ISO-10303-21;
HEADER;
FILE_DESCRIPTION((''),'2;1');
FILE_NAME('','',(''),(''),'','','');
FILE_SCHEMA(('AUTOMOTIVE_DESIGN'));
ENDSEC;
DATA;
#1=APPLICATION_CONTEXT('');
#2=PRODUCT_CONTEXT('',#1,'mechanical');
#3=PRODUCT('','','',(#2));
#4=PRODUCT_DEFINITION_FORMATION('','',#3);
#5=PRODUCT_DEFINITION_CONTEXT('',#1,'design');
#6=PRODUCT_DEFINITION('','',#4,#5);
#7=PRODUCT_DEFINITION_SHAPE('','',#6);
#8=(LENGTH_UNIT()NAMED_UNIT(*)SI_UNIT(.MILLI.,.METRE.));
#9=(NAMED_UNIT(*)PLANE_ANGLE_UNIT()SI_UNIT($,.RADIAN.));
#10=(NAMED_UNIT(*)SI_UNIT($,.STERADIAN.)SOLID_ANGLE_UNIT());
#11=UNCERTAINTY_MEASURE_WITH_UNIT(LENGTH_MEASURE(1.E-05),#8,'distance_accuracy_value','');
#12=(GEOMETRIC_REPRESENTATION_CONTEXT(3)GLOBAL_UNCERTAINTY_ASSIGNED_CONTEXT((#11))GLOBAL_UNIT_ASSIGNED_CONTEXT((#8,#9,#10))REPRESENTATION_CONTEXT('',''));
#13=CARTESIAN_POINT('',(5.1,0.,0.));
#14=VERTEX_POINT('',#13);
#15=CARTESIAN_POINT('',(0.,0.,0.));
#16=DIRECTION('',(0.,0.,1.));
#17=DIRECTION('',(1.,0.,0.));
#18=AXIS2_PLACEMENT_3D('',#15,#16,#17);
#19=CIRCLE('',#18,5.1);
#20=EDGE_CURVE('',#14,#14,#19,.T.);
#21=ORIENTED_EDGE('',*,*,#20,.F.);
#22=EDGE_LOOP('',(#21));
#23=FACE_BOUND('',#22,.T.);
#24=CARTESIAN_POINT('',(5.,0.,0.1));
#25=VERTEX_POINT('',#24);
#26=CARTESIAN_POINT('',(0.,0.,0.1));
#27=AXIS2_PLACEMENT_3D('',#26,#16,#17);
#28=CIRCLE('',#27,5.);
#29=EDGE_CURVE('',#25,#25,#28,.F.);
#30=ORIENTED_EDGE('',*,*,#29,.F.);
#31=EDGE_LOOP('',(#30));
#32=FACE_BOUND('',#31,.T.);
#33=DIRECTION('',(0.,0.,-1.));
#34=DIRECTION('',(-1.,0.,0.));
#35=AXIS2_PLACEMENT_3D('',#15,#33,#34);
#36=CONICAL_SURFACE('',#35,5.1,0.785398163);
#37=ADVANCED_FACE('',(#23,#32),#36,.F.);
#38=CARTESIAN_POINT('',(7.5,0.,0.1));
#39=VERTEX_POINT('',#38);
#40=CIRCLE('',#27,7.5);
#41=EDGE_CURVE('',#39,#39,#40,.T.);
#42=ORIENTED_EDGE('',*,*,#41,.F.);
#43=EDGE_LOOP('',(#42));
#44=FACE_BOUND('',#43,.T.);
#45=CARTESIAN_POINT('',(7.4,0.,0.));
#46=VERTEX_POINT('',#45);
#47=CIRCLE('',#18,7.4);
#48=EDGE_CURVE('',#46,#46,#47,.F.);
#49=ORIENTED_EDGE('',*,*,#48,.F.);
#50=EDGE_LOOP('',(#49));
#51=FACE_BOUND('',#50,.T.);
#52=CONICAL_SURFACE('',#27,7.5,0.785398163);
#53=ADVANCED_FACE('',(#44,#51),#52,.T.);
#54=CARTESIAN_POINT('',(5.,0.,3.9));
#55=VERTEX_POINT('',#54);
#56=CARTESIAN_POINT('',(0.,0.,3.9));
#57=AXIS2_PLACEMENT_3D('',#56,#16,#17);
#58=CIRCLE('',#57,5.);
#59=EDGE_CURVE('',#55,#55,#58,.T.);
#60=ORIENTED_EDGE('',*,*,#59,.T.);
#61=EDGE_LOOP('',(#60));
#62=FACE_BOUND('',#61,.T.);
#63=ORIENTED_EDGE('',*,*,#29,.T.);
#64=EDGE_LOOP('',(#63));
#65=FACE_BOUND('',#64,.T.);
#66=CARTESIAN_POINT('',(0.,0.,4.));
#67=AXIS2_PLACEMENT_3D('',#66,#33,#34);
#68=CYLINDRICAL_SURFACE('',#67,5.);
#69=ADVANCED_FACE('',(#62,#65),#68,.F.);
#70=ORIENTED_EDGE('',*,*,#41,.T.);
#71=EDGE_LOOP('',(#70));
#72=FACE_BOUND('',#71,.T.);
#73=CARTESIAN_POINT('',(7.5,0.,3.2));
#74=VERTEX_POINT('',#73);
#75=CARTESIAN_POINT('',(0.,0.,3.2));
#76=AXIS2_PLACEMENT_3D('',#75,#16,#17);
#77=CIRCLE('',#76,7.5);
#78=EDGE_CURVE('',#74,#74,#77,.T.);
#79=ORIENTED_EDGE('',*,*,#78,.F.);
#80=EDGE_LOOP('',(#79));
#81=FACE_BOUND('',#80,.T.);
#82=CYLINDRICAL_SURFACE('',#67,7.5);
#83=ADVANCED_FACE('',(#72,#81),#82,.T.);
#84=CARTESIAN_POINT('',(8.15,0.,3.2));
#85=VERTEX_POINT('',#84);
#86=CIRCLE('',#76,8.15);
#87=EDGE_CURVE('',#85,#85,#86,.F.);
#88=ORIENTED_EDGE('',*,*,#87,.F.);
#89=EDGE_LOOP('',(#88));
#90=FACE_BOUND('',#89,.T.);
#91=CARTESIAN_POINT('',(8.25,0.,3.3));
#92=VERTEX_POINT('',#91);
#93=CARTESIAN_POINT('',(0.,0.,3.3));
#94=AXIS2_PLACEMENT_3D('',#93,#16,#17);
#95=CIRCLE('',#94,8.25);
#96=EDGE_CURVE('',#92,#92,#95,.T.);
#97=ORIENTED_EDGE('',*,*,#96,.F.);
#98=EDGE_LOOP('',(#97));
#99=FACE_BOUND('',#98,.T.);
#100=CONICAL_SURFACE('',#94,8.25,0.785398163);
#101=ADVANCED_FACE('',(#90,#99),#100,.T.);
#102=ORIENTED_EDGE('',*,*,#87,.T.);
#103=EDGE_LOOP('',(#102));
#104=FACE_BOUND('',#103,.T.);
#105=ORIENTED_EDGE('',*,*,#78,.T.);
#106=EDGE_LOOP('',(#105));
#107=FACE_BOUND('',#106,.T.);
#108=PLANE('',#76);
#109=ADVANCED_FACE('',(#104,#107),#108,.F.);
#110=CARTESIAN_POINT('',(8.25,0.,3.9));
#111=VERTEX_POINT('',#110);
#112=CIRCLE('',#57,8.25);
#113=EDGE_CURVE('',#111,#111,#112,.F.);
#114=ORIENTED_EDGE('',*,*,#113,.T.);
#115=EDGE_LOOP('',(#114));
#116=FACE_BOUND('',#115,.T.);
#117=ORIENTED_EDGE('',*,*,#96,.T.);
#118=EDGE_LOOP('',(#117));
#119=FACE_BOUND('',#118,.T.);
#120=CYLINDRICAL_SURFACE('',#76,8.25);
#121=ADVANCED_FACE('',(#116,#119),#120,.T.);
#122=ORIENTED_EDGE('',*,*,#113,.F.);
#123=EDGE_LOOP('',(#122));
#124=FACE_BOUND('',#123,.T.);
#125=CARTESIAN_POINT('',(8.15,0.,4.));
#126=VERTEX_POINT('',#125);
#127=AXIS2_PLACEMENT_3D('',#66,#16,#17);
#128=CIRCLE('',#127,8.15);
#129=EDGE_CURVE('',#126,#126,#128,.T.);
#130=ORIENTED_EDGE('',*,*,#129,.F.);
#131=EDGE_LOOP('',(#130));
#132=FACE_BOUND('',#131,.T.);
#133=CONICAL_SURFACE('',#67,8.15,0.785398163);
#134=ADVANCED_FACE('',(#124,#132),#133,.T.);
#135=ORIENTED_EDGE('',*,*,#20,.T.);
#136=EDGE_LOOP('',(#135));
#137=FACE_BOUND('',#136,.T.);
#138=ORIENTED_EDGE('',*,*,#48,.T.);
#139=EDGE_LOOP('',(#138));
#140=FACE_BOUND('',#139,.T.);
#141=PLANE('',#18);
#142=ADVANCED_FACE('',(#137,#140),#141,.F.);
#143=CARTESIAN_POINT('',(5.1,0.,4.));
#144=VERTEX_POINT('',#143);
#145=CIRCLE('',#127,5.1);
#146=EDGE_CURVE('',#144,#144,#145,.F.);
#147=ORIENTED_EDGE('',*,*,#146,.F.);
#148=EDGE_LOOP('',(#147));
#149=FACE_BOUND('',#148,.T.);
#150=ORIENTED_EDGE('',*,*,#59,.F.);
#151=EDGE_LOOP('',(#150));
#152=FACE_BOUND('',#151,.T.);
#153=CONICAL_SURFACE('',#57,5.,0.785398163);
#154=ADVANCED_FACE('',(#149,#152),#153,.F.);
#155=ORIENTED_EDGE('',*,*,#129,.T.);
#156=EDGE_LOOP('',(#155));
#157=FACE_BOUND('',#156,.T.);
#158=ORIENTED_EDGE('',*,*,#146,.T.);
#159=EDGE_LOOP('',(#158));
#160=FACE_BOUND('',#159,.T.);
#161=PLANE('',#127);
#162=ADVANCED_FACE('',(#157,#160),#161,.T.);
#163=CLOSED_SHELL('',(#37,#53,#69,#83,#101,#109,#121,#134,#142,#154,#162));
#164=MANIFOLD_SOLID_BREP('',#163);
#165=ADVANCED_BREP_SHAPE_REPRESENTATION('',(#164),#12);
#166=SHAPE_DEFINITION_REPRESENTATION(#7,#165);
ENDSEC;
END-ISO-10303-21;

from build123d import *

# Parameters (mm, degrees)
SKETCH_1_R      = 7.5
SKETCH_1_R_2    = 5
EXTRUDE_1_DEPTH = 4
EXTRUDE_START   = -0.8
SKETCH_2_R      = 8.25
SKETCH_2_R_2    = 7.5
EXTRUDE_2_DEPTH = 0.8
CHAMFER_1_SIZE  = 0.1


with BuildPart() as part:
    # 草图1 → 凸台-拉伸1 (new body)
    with BuildSketch(Plane.XY):
        Circle(SKETCH_1_R)
        Circle(SKETCH_1_R_2, mode=Mode.SUBTRACT)
    extrude(amount=EXTRUDE_1_DEPTH)

    # 草图2 → 凸台-拉伸2 (add)
    with BuildSketch(Plane.XY.offset(4).offset(EXTRUDE_START)):
        Circle(SKETCH_2_R)
        Circle(SKETCH_2_R_2, mode=Mode.SUBTRACT)
    extrude(amount=EXTRUDE_2_DEPTH)

    # 倒角1
    chamfer_1_edges = [part.edges().sort_by_distance(p)[0] for p in [
        (-8.25, 0, 3.2),
        (-8.25, 0, 4),
        (-7.5, 0, 0),
        (-5, 0, 0),
        (-5, 0, 4),
    ]]
    chamfer(chamfer_1_edges, length=CHAMFER_1_SIZE)


solid = part.part
